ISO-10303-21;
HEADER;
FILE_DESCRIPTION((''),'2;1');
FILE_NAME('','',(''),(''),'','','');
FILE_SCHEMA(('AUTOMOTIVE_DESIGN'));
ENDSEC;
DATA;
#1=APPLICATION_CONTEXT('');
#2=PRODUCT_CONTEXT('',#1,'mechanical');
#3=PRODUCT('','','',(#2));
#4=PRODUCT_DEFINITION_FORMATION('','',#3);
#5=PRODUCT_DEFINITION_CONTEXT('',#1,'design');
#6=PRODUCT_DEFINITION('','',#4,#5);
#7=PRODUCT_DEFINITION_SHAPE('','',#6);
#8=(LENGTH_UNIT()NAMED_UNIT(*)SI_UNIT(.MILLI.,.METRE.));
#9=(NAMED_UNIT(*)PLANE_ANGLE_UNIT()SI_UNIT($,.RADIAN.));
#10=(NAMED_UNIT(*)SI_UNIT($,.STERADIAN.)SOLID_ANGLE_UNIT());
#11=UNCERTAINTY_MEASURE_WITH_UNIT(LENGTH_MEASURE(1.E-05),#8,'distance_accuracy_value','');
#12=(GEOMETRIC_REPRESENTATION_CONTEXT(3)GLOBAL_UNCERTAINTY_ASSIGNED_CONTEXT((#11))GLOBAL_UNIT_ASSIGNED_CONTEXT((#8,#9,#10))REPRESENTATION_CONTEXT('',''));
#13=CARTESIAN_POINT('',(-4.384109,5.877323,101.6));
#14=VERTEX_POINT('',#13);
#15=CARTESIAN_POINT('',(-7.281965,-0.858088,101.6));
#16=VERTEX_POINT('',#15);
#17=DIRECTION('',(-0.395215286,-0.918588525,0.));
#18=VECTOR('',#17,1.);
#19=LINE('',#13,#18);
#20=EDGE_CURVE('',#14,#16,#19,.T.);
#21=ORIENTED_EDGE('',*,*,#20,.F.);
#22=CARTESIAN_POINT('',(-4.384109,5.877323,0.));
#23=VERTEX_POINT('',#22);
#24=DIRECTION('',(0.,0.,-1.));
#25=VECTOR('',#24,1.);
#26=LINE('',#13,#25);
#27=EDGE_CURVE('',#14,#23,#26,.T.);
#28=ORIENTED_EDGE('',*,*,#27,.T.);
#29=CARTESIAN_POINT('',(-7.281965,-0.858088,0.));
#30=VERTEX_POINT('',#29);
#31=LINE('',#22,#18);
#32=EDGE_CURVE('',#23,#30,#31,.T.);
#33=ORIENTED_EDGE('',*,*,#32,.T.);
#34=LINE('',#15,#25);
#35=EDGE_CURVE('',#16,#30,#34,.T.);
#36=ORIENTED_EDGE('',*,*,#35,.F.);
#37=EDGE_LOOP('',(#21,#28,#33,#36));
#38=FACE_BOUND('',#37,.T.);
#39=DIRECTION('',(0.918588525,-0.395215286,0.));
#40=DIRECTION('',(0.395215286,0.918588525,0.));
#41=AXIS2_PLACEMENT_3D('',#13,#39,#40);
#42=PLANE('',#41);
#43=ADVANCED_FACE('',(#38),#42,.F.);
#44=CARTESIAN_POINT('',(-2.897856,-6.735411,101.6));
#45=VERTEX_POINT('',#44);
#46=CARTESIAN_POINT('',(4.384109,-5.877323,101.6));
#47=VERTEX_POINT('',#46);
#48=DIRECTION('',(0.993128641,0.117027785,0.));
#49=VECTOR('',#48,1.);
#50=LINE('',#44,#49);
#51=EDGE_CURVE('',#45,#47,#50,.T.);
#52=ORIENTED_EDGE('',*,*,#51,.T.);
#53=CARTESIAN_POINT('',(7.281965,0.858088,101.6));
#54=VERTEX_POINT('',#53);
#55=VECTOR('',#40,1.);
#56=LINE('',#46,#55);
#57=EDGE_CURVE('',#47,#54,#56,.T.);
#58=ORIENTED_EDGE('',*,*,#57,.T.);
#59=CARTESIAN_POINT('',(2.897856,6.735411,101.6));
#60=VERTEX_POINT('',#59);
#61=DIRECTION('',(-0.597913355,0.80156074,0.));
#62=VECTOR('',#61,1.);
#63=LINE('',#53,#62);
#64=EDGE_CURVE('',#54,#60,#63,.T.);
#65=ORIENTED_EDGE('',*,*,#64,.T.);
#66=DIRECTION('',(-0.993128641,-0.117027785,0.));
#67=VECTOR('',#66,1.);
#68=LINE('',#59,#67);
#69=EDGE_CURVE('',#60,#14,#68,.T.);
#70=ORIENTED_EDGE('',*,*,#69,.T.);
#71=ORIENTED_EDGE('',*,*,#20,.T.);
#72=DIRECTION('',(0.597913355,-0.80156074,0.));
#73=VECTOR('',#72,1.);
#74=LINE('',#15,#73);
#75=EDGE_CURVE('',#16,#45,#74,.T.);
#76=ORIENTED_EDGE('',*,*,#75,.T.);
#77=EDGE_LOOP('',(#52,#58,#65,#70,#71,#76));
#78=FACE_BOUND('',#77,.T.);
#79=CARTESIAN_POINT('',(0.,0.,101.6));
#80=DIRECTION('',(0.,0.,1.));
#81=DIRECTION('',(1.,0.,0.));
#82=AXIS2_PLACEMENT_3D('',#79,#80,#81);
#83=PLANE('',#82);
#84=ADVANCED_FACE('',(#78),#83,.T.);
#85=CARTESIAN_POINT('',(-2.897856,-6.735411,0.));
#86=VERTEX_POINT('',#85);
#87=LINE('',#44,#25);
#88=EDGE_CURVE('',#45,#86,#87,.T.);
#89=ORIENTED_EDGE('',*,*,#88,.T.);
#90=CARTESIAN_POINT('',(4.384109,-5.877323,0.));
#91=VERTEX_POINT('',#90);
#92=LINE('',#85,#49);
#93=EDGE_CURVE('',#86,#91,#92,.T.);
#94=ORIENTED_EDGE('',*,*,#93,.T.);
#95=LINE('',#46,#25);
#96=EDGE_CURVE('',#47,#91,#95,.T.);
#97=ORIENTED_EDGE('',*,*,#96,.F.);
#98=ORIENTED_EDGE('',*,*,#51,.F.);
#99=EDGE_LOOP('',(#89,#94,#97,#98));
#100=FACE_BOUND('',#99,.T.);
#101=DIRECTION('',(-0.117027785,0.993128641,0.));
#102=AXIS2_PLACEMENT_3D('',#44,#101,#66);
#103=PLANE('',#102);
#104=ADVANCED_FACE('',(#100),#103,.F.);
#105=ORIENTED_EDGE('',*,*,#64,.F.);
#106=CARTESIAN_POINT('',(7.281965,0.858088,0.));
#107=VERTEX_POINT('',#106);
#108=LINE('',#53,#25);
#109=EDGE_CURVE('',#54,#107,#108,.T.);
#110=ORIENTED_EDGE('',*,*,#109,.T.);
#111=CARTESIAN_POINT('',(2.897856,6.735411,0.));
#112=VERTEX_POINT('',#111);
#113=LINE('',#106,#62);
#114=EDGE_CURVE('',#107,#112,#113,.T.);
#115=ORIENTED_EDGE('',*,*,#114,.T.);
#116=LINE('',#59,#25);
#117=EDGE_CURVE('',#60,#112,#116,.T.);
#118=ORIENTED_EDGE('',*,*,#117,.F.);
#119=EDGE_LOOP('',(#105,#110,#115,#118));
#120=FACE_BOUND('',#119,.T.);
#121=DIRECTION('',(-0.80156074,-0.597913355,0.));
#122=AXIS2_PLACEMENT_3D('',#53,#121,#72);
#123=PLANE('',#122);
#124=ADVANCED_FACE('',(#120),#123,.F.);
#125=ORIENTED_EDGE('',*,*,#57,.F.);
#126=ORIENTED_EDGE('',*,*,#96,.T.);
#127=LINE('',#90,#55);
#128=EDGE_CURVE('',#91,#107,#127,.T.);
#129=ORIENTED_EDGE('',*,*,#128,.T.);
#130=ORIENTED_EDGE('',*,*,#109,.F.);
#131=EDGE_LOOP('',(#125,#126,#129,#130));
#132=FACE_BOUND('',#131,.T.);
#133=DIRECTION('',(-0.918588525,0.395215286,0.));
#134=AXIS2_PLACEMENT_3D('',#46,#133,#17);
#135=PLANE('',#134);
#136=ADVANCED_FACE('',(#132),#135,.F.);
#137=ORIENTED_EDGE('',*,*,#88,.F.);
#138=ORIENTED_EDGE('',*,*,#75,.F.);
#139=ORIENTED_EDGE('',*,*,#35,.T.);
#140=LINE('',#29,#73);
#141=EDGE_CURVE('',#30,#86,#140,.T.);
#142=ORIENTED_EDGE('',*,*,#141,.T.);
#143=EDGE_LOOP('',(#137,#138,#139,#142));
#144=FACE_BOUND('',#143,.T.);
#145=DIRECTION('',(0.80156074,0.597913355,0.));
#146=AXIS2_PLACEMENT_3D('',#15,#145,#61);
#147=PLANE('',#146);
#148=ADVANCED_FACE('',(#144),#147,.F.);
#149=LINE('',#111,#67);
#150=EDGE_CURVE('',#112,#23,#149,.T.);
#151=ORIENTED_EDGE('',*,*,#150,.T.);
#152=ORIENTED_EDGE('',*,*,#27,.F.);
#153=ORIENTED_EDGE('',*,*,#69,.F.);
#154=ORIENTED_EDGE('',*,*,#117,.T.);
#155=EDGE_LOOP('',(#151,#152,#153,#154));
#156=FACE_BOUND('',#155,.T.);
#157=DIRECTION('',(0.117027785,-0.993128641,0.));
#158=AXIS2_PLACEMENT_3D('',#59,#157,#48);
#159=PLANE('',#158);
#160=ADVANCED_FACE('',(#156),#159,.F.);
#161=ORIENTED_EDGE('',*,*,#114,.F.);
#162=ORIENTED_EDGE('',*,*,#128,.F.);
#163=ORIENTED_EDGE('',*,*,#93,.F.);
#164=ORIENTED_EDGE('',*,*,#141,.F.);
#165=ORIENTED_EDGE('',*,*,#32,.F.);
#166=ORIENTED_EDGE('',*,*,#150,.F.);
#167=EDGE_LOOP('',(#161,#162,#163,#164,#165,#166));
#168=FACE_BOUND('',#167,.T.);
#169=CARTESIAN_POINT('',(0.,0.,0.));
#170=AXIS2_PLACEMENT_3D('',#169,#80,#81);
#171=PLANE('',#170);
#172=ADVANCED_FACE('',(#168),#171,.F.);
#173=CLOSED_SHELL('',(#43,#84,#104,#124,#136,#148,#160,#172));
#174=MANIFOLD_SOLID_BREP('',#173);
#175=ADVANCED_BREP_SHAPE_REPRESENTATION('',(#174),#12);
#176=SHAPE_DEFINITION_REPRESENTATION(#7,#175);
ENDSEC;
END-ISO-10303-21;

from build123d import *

# Parameters (mm, degrees)
BOSS_EXTRUDE1_DEPTH = 101.6


with BuildPart() as part:
    # Sketch1 → Boss-Extrude1 (new body)
    with BuildSketch(Plane.XY):
        Polygon((-7.281965221, -0.858088492), (-2.897856177, -6.735411116), (4.384109043, -5.877322624), (7.281965221, 0.858088492), (2.897856177, 6.735411116), (-4.384109043, 5.877322624), align=None)
    extrude(amount=BOSS_EXTRUDE1_DEPTH)


solid = part.part
